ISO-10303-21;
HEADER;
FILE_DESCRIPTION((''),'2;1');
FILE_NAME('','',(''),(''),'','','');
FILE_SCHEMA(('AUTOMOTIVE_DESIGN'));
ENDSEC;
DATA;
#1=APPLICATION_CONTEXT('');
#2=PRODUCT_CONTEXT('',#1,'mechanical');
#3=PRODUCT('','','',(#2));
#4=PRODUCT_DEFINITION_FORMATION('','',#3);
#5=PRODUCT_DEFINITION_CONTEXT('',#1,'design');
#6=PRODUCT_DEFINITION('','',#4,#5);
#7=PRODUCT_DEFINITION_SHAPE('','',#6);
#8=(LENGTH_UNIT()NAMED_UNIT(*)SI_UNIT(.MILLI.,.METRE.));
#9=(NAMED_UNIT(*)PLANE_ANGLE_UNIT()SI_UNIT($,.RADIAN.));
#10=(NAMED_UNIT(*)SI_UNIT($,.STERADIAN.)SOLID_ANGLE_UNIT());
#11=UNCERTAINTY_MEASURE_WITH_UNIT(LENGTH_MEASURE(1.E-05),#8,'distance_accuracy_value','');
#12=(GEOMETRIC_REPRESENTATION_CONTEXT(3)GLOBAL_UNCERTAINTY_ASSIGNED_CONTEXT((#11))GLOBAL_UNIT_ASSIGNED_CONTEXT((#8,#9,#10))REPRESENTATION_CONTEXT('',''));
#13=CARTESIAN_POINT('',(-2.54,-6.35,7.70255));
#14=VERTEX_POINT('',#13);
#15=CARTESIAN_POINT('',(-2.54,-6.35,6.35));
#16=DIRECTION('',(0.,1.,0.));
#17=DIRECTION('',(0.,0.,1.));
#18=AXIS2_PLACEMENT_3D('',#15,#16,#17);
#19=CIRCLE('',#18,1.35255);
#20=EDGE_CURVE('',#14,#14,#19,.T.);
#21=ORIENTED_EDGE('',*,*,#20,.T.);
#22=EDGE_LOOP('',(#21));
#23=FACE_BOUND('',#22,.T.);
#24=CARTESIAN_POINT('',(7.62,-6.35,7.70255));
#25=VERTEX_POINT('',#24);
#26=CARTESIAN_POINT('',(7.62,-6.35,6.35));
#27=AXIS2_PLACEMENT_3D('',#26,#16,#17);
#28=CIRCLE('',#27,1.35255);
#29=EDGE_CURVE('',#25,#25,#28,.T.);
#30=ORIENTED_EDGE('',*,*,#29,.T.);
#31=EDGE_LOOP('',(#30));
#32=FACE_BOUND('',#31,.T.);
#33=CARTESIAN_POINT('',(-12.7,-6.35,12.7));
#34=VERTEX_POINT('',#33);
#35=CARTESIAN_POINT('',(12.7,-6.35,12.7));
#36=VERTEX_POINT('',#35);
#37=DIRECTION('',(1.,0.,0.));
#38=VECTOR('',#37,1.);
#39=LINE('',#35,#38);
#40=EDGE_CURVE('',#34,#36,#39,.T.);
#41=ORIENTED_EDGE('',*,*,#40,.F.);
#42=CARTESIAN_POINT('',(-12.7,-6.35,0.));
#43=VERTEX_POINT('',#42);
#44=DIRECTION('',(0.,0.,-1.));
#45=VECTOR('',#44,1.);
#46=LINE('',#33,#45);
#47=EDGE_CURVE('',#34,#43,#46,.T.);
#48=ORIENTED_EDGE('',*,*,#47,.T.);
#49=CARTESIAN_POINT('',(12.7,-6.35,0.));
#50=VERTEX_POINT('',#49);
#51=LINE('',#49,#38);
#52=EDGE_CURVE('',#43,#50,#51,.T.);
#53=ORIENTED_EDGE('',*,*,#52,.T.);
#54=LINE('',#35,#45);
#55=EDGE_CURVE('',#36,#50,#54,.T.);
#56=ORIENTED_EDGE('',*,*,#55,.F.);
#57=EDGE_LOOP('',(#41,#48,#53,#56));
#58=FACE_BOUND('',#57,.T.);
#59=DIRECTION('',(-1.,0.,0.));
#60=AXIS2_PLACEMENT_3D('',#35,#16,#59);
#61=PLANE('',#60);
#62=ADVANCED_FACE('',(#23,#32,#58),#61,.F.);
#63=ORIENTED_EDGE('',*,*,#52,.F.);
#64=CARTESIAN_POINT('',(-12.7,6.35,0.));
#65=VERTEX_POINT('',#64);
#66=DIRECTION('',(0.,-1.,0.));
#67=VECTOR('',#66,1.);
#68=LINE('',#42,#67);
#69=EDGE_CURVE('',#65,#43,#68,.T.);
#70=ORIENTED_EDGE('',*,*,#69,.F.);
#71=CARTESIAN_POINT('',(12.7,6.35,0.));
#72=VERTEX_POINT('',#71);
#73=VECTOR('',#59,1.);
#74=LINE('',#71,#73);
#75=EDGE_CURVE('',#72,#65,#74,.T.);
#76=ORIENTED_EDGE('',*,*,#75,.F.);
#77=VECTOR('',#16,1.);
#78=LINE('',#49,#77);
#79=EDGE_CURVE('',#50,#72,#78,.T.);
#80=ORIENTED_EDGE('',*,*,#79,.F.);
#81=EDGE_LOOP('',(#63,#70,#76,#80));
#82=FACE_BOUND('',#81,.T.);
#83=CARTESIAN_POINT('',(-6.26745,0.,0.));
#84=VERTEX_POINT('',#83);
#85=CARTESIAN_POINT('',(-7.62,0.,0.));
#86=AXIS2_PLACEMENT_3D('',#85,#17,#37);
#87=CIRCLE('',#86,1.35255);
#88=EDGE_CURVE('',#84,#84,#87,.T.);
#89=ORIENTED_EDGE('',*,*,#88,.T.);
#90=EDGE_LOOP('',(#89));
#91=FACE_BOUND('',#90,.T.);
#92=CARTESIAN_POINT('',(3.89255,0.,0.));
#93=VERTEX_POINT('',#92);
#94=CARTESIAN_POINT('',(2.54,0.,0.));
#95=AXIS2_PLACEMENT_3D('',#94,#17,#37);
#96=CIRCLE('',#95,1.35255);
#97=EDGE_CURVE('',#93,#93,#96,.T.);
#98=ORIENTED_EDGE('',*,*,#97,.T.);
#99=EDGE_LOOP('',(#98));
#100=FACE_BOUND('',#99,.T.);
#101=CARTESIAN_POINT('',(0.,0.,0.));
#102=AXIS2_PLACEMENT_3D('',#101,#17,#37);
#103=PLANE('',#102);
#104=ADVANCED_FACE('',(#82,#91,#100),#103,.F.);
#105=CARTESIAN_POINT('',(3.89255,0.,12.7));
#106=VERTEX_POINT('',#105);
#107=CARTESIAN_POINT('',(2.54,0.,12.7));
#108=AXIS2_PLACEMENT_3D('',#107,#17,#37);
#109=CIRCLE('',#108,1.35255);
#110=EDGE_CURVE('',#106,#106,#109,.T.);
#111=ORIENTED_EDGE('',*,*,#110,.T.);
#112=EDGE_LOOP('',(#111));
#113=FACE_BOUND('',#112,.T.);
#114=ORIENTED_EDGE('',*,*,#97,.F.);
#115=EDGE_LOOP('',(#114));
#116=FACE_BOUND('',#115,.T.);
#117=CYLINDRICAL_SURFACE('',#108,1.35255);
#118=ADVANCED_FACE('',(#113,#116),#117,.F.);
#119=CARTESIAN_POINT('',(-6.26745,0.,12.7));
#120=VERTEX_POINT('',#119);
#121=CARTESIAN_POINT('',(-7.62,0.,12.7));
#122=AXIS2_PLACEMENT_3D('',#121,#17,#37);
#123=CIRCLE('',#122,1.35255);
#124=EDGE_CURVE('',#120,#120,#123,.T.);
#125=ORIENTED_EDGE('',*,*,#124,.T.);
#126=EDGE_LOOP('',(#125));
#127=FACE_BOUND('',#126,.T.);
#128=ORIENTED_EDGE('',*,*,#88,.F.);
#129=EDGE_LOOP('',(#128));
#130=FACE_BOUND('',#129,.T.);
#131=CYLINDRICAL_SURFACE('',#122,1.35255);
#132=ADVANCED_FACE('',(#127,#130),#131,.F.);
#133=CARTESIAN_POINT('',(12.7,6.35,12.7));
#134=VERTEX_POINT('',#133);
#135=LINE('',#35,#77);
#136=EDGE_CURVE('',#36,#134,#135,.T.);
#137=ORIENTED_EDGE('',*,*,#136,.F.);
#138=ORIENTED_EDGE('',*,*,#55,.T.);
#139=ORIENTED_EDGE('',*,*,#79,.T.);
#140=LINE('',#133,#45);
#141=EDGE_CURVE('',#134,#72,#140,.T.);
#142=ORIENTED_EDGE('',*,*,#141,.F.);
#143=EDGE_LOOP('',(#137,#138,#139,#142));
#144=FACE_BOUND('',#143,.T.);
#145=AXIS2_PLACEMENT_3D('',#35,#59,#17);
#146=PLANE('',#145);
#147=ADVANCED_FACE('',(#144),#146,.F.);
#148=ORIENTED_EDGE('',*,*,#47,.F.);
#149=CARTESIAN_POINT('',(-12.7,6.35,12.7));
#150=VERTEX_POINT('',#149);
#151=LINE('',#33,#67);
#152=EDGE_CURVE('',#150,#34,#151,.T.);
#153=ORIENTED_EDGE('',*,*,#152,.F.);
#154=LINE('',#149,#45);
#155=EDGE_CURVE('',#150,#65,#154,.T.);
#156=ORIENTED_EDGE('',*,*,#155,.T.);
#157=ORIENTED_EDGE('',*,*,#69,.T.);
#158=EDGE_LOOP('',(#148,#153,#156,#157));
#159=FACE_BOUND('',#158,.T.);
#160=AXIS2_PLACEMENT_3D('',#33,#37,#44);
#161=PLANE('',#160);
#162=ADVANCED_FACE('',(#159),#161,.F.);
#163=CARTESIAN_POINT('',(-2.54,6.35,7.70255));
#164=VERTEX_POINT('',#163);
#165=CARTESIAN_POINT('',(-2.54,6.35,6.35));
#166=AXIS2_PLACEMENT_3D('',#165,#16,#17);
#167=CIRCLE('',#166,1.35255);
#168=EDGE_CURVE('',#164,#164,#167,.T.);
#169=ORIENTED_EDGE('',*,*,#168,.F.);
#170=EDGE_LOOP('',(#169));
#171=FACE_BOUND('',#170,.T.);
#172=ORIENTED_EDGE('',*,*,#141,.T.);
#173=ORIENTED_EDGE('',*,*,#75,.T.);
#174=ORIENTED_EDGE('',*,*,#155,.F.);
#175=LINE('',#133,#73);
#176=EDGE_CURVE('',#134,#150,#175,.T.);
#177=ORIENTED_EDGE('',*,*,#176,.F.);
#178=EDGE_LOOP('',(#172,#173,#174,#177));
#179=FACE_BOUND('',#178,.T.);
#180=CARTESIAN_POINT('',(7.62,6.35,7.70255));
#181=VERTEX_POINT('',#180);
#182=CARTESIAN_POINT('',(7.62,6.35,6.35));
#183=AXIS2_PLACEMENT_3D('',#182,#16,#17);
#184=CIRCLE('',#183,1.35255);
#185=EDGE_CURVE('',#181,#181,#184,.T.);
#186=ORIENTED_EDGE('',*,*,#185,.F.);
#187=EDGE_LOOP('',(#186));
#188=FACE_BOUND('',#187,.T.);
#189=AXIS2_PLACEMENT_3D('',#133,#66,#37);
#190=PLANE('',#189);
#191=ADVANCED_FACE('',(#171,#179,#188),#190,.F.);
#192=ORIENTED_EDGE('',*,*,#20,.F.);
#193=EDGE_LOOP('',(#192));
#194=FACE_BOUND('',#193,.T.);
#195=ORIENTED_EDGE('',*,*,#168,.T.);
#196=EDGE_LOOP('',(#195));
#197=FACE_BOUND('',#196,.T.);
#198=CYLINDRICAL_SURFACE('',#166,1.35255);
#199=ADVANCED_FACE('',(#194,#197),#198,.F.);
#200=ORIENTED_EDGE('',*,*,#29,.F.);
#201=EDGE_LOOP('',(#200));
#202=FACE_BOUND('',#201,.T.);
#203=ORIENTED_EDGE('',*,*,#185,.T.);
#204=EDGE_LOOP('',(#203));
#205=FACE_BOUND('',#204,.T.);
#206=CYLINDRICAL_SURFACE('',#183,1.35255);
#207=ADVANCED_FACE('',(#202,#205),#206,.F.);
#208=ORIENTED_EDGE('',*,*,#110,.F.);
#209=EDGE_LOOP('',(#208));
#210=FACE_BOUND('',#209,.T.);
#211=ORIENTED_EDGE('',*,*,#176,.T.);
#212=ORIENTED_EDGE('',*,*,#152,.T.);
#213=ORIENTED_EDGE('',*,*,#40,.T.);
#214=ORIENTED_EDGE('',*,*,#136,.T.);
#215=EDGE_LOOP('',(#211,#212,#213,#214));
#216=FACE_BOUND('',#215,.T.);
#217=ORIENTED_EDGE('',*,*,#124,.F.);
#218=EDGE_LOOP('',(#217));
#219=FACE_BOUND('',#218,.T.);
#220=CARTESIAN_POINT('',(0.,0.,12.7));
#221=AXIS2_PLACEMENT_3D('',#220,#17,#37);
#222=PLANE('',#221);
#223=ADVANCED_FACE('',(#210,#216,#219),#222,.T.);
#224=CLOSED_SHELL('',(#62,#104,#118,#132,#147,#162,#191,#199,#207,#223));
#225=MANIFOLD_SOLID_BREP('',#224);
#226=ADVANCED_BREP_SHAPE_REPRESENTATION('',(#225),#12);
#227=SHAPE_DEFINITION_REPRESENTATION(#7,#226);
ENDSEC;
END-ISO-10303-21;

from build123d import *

# Parameters (mm, degrees)
SKETCH1_W                 = 25.4
SKETCH1_H                 = 12.7
BOSS_EXTRUDE1_DEPTH       = 12.7
TAP_DRILL_FOR_6_32_TAP1_D = 2.7051
TAP_DRILL_FOR_6_32_TAP2_D = 2.7051


with BuildPart() as part:
    # Sketch1 → Boss-Extrude1 (new body)
    with BuildSketch(Plane.XY):
        Rectangle(SKETCH1_W, SKETCH1_H)
    extrude(amount=BOSS_EXTRUDE1_DEPTH)

    # Tap Drill for #6-32 Tap1 (through all)
    with Locations(Plane(origin=(0, 6.35, 0), x_dir=(1, 0, 0), z_dir=(0, 1, 0))):
        with Locations((-2.54, -6.35), (7.62, -6.35)):
            Hole(TAP_DRILL_FOR_6_32_TAP1_D / 2)

    # Tap Drill for #6-32 Tap2 (through all)
    with Locations(Plane.XY.offset(12.7)):
        with Locations((-7.62, 0), (2.54, 0)):
            Hole(TAP_DRILL_FOR_6_32_TAP2_D / 2)


solid = part.part
